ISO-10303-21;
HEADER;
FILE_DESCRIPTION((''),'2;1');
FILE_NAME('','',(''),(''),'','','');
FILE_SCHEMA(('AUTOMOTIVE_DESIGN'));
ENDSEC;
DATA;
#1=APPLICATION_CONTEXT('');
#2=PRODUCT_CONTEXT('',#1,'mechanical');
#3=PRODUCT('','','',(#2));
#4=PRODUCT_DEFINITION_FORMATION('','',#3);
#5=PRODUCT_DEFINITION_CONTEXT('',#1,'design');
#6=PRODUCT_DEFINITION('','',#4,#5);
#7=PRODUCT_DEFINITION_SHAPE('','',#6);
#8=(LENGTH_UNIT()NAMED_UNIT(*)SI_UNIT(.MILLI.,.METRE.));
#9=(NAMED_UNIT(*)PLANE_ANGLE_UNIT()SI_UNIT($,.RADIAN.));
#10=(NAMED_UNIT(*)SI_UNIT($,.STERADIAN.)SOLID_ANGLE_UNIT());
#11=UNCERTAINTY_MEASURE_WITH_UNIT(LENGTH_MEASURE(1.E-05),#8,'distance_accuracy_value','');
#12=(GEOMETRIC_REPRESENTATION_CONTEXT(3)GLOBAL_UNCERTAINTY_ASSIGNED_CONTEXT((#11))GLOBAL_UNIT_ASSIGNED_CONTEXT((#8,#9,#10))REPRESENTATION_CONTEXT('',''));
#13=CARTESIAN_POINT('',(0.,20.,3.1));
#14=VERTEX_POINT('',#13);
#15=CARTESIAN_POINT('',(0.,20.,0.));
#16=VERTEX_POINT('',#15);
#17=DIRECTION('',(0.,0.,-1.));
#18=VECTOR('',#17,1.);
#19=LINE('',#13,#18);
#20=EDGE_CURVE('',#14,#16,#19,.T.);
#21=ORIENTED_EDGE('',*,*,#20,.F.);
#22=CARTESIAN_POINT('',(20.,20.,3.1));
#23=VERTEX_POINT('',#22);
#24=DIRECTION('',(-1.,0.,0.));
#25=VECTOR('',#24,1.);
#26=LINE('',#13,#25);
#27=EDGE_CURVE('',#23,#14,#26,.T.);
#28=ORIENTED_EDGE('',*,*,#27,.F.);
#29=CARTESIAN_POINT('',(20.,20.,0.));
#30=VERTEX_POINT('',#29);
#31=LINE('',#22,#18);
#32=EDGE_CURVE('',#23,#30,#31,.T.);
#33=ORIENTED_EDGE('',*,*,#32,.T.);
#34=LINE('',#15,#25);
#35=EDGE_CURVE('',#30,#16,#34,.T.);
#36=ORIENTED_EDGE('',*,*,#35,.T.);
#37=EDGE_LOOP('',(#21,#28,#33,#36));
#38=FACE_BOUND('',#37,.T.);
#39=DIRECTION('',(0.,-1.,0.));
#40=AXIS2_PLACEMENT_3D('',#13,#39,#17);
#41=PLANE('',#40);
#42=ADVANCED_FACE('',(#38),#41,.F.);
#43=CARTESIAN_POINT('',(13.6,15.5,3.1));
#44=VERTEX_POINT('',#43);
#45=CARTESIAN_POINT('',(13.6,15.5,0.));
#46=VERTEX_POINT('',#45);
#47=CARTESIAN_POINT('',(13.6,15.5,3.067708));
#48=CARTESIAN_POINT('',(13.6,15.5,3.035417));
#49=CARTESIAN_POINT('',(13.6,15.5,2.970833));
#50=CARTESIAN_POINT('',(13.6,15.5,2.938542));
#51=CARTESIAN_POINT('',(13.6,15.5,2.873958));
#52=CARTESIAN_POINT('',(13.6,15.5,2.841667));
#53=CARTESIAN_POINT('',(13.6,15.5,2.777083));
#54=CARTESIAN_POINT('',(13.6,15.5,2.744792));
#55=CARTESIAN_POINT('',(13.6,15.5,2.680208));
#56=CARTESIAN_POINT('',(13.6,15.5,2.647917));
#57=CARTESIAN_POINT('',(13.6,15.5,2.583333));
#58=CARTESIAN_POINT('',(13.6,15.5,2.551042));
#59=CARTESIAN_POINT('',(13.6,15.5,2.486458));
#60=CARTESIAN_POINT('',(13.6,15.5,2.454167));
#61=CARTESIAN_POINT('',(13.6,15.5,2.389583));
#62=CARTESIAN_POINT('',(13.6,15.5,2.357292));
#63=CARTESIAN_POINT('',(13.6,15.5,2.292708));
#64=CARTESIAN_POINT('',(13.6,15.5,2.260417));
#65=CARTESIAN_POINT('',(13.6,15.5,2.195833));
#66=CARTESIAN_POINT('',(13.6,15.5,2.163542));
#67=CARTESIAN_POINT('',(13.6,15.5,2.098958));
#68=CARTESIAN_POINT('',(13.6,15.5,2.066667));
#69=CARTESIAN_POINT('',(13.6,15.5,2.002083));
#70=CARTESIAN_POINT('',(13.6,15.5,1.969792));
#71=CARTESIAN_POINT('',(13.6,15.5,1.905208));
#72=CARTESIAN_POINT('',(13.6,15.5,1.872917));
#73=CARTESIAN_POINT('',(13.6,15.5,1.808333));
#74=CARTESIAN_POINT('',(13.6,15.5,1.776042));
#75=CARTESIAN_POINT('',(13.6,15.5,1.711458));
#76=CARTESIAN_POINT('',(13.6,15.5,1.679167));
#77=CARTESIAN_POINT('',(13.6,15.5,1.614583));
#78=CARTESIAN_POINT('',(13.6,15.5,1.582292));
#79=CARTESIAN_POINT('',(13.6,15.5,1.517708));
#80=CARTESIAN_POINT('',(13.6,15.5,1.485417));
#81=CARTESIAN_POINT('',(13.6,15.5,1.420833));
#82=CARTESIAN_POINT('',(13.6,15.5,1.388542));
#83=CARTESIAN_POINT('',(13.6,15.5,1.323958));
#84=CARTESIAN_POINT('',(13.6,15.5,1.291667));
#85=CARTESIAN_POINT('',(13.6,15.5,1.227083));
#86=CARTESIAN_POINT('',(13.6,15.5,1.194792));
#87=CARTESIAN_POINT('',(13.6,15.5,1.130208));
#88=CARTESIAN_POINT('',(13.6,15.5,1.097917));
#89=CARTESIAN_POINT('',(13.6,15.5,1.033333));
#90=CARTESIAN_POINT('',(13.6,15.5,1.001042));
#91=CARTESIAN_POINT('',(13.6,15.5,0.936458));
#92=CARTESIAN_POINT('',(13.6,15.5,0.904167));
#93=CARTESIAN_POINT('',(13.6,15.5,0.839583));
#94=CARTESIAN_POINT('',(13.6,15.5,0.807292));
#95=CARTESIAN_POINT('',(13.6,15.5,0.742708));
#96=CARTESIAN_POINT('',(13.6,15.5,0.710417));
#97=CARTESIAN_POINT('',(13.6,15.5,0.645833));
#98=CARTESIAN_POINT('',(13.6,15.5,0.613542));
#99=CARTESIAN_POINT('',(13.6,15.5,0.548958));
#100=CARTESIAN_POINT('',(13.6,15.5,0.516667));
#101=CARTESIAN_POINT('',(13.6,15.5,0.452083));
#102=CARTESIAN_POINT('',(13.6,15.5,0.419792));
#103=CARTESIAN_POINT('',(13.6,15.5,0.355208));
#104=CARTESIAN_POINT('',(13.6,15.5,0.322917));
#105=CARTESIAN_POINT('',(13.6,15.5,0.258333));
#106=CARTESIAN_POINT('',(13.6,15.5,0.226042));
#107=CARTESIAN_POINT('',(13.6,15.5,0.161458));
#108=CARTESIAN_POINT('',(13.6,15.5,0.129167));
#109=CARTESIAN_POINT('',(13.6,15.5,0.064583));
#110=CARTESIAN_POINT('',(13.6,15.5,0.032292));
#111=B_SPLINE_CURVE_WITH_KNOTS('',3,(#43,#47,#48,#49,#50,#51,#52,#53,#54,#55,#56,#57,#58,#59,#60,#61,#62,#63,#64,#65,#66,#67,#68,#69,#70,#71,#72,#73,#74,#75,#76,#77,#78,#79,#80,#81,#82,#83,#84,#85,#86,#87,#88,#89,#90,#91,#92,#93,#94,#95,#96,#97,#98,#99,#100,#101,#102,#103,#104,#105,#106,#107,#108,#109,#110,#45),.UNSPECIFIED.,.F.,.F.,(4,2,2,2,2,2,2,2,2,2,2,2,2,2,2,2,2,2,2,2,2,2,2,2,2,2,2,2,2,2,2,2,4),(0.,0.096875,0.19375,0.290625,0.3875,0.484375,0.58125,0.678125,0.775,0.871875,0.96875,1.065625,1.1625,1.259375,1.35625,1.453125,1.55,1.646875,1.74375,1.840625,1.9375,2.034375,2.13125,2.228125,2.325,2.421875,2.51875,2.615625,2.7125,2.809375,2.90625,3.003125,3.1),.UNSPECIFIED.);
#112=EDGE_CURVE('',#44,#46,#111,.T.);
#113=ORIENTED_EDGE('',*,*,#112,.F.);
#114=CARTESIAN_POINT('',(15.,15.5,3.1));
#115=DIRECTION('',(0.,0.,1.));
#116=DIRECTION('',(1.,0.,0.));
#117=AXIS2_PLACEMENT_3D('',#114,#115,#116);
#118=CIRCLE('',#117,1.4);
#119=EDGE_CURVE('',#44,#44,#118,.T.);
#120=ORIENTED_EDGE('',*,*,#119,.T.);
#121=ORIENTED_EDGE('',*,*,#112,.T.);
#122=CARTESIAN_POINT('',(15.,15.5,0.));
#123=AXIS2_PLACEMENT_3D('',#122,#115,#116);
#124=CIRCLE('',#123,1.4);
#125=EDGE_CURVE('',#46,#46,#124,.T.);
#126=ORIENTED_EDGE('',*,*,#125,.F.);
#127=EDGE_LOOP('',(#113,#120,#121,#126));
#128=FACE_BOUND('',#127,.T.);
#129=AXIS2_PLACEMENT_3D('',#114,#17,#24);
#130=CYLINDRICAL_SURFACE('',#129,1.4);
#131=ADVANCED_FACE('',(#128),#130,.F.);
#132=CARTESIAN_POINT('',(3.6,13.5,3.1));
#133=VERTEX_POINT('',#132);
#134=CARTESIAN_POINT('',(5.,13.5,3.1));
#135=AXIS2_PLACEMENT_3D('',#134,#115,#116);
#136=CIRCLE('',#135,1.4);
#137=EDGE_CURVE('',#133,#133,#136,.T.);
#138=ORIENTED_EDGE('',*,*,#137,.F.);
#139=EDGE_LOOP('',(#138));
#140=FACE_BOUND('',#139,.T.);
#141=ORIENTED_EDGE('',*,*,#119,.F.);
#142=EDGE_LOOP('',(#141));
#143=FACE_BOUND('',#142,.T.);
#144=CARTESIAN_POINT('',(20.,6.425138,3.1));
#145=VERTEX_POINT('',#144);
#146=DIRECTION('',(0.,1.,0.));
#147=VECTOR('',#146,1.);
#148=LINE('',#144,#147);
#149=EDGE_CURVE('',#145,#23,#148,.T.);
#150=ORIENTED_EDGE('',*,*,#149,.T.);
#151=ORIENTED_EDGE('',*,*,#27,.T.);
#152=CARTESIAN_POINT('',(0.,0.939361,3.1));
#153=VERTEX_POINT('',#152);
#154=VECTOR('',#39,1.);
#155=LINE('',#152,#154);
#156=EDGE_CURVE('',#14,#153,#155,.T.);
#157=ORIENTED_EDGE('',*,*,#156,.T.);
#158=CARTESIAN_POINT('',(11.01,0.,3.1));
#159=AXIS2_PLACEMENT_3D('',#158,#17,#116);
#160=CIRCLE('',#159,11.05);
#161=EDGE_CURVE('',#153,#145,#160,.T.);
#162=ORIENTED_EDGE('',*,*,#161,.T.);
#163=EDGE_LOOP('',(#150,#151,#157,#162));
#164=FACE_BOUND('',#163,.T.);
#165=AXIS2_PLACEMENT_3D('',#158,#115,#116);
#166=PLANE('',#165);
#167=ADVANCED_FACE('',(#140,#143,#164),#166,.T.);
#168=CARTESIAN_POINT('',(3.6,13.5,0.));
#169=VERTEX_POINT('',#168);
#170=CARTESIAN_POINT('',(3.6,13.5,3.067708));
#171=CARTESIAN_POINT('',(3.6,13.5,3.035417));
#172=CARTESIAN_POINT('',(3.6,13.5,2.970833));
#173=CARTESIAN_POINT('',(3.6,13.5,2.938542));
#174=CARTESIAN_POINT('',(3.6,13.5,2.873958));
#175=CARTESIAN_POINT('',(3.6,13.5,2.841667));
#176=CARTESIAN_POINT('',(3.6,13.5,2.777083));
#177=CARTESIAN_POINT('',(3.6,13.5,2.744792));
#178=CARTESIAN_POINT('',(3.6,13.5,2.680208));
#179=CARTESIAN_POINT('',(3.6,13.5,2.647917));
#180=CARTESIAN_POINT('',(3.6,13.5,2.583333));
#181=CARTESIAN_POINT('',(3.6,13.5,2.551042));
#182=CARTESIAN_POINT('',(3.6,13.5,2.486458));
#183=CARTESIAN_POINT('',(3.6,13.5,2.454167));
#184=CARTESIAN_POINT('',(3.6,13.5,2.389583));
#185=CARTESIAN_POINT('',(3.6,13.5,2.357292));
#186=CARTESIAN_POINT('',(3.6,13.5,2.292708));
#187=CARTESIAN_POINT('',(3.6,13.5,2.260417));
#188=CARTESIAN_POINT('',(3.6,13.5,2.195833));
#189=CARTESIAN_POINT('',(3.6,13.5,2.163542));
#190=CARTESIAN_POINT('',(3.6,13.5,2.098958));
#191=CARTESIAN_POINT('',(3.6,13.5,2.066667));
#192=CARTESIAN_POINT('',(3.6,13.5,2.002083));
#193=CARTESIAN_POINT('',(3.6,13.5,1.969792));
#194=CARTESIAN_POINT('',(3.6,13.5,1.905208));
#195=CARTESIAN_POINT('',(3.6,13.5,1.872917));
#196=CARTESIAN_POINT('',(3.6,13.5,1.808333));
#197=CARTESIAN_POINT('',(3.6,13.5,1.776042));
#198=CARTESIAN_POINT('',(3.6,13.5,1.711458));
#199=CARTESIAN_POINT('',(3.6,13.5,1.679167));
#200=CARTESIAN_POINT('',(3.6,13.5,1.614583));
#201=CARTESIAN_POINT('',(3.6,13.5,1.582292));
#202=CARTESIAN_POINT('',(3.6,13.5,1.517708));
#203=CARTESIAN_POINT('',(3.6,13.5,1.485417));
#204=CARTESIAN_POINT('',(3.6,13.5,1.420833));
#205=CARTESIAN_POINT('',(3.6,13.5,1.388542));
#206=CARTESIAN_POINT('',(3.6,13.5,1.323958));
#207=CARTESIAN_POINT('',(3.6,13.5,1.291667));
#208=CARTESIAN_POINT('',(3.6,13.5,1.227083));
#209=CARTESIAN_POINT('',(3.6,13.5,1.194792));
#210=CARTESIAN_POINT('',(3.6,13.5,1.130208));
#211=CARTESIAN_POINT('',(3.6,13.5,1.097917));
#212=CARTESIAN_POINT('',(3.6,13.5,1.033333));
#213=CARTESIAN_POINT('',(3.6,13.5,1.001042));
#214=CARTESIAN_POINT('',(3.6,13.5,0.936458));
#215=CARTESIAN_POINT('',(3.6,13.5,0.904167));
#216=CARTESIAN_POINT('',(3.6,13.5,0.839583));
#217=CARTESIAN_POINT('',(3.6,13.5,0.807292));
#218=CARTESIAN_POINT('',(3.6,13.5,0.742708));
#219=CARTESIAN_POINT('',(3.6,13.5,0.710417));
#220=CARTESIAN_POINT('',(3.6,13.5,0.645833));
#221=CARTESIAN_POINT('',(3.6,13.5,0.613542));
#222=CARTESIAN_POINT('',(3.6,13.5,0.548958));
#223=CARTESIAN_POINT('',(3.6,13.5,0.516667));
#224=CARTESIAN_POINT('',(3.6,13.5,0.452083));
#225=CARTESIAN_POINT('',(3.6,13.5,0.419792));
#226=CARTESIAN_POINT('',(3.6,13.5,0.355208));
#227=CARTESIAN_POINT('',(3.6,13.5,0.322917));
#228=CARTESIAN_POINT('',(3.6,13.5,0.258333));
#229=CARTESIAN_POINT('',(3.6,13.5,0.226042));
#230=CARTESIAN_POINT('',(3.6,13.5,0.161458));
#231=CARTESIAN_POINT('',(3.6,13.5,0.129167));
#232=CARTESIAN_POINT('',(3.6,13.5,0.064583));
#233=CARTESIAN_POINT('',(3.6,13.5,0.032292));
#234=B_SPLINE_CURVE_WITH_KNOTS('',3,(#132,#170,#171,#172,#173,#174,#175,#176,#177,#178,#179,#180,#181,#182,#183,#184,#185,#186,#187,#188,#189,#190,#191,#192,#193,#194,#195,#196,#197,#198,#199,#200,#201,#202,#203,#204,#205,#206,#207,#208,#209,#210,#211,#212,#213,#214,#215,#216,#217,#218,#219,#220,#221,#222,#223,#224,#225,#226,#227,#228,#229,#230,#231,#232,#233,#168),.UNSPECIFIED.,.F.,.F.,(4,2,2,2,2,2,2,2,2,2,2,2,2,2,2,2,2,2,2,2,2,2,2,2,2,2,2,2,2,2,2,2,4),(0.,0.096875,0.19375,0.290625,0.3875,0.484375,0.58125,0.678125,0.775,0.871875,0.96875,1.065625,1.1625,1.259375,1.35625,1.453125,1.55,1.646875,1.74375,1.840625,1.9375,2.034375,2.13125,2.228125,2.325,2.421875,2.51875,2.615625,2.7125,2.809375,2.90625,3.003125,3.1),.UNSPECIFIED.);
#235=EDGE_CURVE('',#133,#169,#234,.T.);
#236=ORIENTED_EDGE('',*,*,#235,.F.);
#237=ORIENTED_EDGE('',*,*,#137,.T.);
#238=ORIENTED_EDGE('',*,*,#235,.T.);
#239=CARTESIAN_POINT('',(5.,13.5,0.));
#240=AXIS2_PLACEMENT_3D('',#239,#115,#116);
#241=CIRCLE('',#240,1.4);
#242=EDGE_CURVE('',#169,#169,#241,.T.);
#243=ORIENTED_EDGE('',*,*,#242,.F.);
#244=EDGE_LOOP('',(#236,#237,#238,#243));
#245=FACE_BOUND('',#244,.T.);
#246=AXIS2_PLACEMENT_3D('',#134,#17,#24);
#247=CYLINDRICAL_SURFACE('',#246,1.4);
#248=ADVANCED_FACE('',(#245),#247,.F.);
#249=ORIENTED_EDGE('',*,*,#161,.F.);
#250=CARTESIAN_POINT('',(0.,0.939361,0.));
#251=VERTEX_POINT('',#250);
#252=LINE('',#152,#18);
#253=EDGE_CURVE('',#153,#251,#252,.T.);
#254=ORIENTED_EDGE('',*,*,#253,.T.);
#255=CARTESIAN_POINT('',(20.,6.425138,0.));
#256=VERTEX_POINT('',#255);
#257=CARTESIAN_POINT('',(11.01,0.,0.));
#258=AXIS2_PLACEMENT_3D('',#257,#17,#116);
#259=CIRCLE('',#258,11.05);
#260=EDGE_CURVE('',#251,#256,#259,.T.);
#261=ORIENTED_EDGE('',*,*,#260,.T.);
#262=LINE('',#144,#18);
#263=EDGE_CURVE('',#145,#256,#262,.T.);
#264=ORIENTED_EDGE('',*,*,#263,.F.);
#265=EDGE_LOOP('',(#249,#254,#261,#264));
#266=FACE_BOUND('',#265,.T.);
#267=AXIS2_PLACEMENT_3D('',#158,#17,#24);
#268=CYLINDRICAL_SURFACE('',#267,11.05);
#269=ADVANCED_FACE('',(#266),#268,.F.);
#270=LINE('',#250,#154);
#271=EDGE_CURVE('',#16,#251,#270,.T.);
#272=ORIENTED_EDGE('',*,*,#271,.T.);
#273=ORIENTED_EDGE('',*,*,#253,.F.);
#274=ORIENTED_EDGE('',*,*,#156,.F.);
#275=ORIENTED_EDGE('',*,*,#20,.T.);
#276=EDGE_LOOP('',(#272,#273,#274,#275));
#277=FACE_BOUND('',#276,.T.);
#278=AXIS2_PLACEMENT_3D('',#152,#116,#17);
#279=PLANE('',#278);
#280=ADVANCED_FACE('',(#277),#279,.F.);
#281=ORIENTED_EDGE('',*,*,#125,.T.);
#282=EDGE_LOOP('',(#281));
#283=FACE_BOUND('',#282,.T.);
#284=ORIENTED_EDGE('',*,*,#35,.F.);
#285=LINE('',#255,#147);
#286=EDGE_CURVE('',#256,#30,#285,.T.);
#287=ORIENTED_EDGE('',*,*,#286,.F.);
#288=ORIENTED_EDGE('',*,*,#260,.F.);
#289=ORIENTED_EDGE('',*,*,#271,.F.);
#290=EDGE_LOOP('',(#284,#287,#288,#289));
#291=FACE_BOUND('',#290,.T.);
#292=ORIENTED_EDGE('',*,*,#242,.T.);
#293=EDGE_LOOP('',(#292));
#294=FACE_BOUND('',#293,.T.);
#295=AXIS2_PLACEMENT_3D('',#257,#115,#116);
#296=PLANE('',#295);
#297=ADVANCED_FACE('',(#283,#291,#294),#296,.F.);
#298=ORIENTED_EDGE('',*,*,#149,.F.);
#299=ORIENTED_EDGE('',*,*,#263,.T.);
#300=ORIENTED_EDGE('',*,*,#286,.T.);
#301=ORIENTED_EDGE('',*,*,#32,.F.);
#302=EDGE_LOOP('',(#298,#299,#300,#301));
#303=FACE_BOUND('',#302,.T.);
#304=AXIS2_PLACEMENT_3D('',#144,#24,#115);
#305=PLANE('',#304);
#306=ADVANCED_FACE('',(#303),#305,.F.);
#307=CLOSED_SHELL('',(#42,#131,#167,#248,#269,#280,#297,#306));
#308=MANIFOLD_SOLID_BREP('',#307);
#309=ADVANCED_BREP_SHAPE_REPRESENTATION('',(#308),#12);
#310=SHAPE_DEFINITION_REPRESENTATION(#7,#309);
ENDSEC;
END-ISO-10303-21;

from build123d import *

# Parameters (mm, degrees)
SKETCH1_R           = 1.4
BOSS_EXTRUDE1_DEPTH = 3.1


with BuildPart() as part:
    # Sketch1 → Boss-Extrude1 (new body)
    with BuildSketch(Plane.XY):
        with BuildLine():
            Line((0, 0.939361485), (0, 20))
            Line((0, 20), (20, 20))
            Line((20, 20), (20, 6.425138131))
            ThreePointArc((20, 6.425138131), (8.087067166, 10.656404818), (0, 0.939361485))
        make_face()
        with Locations(Location((5, 13.5, 0), (0, 0, 180))):
            Circle(SKETCH1_R, mode=Mode.SUBTRACT)
        with Locations(Location((15, 15.5, 0), (0, 0, 180))):
            Circle(SKETCH1_R, mode=Mode.SUBTRACT)
    extrude(amount=BOSS_EXTRUDE1_DEPTH)


solid = part.part
